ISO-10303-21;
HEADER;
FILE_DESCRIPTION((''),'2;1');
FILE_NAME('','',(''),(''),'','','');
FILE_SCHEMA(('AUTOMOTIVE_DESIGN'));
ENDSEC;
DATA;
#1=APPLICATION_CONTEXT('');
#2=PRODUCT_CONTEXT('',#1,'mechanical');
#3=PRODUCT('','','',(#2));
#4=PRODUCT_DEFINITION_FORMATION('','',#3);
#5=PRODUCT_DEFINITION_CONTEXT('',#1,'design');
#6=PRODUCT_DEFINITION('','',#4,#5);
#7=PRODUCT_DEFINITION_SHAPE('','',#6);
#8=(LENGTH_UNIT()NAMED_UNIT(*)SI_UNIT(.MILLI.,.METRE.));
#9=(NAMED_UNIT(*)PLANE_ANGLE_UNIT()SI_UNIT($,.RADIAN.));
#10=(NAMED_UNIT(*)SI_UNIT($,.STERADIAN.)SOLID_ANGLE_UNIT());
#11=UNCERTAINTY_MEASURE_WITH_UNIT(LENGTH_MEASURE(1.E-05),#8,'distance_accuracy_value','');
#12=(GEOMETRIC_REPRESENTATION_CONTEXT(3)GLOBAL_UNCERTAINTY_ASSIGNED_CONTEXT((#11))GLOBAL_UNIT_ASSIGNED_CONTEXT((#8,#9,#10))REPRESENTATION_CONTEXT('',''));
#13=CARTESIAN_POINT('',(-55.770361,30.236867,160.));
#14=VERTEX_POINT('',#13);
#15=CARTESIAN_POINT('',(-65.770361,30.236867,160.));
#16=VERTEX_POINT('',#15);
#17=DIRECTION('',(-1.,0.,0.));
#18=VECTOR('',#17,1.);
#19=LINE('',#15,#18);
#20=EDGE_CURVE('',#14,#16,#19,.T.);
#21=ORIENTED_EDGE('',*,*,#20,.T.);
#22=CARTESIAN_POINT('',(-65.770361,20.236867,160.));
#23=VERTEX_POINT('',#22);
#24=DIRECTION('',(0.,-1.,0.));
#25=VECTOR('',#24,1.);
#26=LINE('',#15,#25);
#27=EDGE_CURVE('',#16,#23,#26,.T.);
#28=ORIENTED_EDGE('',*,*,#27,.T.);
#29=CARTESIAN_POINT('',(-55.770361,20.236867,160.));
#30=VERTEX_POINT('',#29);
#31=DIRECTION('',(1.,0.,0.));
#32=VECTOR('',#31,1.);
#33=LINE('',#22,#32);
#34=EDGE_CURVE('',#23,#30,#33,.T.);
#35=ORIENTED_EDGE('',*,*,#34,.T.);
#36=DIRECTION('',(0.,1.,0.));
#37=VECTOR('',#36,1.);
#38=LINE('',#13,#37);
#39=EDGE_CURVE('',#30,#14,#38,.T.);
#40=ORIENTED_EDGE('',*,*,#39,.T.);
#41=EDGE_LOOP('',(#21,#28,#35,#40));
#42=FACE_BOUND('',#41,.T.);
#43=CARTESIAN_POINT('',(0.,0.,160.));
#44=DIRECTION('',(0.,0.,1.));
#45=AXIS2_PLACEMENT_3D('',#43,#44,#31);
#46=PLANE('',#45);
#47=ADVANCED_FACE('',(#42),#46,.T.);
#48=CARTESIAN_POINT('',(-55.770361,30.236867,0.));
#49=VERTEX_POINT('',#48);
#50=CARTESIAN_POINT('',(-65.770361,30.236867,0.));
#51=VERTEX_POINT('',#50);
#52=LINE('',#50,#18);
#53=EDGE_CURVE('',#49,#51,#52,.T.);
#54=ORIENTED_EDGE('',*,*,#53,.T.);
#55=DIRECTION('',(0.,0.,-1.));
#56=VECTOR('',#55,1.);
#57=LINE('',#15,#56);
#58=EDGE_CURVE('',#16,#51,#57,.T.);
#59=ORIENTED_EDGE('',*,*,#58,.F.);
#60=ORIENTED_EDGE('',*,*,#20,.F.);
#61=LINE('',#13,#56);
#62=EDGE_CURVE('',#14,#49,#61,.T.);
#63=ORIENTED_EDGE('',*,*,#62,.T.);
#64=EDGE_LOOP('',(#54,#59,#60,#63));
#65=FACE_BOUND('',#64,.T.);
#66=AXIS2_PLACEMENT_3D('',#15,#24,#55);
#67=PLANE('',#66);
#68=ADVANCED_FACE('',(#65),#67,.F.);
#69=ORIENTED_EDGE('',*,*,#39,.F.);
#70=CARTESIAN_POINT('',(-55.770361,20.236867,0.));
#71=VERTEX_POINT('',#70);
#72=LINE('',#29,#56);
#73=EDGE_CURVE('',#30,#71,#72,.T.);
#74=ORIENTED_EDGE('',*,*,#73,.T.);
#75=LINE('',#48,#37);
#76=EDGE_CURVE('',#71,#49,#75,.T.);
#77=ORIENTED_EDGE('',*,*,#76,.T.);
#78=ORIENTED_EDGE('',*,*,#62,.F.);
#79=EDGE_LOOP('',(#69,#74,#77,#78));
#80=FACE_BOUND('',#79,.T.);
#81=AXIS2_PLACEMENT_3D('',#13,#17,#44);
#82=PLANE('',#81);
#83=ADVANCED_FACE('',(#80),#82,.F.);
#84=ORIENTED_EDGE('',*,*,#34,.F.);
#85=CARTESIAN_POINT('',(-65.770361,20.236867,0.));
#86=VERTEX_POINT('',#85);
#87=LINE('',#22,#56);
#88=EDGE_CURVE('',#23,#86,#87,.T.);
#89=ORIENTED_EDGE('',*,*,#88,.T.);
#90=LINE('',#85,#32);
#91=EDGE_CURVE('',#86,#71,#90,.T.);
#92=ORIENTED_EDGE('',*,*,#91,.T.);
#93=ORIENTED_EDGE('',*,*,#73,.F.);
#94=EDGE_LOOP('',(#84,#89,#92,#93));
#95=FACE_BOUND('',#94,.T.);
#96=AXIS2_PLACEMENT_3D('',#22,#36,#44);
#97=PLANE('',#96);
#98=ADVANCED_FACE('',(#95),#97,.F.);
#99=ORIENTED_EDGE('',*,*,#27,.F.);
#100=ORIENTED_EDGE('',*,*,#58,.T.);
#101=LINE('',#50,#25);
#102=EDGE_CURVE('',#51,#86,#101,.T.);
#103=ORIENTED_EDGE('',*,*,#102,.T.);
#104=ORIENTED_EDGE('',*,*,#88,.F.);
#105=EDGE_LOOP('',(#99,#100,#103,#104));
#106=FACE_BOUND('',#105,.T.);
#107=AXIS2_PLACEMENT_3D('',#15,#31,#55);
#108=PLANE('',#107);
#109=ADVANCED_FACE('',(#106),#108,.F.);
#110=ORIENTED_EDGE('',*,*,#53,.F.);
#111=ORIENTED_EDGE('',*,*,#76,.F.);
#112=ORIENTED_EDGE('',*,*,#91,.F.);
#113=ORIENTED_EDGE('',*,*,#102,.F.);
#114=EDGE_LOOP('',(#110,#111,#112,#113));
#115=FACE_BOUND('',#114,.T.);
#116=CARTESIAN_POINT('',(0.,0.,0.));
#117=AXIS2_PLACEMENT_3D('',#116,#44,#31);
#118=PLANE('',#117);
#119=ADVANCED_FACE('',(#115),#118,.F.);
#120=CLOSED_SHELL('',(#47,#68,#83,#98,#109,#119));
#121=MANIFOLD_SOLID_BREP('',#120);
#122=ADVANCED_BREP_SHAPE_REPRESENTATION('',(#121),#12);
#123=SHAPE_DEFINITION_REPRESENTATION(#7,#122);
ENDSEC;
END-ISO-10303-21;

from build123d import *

# Parameters (mm, degrees)
SKETCH1_W           = 10
SKETCH1_H           = 10
BOSS_EXTRUDE1_DEPTH = 160


with BuildPart() as part:
    # Sketch1 → Boss-Extrude1 (new body)
    with BuildSketch(Plane.XY):
        with Locations((-60.770360526, 25.236867054)):
            Rectangle(SKETCH1_W, SKETCH1_H)
    extrude(amount=BOSS_EXTRUDE1_DEPTH)


solid = part.part
